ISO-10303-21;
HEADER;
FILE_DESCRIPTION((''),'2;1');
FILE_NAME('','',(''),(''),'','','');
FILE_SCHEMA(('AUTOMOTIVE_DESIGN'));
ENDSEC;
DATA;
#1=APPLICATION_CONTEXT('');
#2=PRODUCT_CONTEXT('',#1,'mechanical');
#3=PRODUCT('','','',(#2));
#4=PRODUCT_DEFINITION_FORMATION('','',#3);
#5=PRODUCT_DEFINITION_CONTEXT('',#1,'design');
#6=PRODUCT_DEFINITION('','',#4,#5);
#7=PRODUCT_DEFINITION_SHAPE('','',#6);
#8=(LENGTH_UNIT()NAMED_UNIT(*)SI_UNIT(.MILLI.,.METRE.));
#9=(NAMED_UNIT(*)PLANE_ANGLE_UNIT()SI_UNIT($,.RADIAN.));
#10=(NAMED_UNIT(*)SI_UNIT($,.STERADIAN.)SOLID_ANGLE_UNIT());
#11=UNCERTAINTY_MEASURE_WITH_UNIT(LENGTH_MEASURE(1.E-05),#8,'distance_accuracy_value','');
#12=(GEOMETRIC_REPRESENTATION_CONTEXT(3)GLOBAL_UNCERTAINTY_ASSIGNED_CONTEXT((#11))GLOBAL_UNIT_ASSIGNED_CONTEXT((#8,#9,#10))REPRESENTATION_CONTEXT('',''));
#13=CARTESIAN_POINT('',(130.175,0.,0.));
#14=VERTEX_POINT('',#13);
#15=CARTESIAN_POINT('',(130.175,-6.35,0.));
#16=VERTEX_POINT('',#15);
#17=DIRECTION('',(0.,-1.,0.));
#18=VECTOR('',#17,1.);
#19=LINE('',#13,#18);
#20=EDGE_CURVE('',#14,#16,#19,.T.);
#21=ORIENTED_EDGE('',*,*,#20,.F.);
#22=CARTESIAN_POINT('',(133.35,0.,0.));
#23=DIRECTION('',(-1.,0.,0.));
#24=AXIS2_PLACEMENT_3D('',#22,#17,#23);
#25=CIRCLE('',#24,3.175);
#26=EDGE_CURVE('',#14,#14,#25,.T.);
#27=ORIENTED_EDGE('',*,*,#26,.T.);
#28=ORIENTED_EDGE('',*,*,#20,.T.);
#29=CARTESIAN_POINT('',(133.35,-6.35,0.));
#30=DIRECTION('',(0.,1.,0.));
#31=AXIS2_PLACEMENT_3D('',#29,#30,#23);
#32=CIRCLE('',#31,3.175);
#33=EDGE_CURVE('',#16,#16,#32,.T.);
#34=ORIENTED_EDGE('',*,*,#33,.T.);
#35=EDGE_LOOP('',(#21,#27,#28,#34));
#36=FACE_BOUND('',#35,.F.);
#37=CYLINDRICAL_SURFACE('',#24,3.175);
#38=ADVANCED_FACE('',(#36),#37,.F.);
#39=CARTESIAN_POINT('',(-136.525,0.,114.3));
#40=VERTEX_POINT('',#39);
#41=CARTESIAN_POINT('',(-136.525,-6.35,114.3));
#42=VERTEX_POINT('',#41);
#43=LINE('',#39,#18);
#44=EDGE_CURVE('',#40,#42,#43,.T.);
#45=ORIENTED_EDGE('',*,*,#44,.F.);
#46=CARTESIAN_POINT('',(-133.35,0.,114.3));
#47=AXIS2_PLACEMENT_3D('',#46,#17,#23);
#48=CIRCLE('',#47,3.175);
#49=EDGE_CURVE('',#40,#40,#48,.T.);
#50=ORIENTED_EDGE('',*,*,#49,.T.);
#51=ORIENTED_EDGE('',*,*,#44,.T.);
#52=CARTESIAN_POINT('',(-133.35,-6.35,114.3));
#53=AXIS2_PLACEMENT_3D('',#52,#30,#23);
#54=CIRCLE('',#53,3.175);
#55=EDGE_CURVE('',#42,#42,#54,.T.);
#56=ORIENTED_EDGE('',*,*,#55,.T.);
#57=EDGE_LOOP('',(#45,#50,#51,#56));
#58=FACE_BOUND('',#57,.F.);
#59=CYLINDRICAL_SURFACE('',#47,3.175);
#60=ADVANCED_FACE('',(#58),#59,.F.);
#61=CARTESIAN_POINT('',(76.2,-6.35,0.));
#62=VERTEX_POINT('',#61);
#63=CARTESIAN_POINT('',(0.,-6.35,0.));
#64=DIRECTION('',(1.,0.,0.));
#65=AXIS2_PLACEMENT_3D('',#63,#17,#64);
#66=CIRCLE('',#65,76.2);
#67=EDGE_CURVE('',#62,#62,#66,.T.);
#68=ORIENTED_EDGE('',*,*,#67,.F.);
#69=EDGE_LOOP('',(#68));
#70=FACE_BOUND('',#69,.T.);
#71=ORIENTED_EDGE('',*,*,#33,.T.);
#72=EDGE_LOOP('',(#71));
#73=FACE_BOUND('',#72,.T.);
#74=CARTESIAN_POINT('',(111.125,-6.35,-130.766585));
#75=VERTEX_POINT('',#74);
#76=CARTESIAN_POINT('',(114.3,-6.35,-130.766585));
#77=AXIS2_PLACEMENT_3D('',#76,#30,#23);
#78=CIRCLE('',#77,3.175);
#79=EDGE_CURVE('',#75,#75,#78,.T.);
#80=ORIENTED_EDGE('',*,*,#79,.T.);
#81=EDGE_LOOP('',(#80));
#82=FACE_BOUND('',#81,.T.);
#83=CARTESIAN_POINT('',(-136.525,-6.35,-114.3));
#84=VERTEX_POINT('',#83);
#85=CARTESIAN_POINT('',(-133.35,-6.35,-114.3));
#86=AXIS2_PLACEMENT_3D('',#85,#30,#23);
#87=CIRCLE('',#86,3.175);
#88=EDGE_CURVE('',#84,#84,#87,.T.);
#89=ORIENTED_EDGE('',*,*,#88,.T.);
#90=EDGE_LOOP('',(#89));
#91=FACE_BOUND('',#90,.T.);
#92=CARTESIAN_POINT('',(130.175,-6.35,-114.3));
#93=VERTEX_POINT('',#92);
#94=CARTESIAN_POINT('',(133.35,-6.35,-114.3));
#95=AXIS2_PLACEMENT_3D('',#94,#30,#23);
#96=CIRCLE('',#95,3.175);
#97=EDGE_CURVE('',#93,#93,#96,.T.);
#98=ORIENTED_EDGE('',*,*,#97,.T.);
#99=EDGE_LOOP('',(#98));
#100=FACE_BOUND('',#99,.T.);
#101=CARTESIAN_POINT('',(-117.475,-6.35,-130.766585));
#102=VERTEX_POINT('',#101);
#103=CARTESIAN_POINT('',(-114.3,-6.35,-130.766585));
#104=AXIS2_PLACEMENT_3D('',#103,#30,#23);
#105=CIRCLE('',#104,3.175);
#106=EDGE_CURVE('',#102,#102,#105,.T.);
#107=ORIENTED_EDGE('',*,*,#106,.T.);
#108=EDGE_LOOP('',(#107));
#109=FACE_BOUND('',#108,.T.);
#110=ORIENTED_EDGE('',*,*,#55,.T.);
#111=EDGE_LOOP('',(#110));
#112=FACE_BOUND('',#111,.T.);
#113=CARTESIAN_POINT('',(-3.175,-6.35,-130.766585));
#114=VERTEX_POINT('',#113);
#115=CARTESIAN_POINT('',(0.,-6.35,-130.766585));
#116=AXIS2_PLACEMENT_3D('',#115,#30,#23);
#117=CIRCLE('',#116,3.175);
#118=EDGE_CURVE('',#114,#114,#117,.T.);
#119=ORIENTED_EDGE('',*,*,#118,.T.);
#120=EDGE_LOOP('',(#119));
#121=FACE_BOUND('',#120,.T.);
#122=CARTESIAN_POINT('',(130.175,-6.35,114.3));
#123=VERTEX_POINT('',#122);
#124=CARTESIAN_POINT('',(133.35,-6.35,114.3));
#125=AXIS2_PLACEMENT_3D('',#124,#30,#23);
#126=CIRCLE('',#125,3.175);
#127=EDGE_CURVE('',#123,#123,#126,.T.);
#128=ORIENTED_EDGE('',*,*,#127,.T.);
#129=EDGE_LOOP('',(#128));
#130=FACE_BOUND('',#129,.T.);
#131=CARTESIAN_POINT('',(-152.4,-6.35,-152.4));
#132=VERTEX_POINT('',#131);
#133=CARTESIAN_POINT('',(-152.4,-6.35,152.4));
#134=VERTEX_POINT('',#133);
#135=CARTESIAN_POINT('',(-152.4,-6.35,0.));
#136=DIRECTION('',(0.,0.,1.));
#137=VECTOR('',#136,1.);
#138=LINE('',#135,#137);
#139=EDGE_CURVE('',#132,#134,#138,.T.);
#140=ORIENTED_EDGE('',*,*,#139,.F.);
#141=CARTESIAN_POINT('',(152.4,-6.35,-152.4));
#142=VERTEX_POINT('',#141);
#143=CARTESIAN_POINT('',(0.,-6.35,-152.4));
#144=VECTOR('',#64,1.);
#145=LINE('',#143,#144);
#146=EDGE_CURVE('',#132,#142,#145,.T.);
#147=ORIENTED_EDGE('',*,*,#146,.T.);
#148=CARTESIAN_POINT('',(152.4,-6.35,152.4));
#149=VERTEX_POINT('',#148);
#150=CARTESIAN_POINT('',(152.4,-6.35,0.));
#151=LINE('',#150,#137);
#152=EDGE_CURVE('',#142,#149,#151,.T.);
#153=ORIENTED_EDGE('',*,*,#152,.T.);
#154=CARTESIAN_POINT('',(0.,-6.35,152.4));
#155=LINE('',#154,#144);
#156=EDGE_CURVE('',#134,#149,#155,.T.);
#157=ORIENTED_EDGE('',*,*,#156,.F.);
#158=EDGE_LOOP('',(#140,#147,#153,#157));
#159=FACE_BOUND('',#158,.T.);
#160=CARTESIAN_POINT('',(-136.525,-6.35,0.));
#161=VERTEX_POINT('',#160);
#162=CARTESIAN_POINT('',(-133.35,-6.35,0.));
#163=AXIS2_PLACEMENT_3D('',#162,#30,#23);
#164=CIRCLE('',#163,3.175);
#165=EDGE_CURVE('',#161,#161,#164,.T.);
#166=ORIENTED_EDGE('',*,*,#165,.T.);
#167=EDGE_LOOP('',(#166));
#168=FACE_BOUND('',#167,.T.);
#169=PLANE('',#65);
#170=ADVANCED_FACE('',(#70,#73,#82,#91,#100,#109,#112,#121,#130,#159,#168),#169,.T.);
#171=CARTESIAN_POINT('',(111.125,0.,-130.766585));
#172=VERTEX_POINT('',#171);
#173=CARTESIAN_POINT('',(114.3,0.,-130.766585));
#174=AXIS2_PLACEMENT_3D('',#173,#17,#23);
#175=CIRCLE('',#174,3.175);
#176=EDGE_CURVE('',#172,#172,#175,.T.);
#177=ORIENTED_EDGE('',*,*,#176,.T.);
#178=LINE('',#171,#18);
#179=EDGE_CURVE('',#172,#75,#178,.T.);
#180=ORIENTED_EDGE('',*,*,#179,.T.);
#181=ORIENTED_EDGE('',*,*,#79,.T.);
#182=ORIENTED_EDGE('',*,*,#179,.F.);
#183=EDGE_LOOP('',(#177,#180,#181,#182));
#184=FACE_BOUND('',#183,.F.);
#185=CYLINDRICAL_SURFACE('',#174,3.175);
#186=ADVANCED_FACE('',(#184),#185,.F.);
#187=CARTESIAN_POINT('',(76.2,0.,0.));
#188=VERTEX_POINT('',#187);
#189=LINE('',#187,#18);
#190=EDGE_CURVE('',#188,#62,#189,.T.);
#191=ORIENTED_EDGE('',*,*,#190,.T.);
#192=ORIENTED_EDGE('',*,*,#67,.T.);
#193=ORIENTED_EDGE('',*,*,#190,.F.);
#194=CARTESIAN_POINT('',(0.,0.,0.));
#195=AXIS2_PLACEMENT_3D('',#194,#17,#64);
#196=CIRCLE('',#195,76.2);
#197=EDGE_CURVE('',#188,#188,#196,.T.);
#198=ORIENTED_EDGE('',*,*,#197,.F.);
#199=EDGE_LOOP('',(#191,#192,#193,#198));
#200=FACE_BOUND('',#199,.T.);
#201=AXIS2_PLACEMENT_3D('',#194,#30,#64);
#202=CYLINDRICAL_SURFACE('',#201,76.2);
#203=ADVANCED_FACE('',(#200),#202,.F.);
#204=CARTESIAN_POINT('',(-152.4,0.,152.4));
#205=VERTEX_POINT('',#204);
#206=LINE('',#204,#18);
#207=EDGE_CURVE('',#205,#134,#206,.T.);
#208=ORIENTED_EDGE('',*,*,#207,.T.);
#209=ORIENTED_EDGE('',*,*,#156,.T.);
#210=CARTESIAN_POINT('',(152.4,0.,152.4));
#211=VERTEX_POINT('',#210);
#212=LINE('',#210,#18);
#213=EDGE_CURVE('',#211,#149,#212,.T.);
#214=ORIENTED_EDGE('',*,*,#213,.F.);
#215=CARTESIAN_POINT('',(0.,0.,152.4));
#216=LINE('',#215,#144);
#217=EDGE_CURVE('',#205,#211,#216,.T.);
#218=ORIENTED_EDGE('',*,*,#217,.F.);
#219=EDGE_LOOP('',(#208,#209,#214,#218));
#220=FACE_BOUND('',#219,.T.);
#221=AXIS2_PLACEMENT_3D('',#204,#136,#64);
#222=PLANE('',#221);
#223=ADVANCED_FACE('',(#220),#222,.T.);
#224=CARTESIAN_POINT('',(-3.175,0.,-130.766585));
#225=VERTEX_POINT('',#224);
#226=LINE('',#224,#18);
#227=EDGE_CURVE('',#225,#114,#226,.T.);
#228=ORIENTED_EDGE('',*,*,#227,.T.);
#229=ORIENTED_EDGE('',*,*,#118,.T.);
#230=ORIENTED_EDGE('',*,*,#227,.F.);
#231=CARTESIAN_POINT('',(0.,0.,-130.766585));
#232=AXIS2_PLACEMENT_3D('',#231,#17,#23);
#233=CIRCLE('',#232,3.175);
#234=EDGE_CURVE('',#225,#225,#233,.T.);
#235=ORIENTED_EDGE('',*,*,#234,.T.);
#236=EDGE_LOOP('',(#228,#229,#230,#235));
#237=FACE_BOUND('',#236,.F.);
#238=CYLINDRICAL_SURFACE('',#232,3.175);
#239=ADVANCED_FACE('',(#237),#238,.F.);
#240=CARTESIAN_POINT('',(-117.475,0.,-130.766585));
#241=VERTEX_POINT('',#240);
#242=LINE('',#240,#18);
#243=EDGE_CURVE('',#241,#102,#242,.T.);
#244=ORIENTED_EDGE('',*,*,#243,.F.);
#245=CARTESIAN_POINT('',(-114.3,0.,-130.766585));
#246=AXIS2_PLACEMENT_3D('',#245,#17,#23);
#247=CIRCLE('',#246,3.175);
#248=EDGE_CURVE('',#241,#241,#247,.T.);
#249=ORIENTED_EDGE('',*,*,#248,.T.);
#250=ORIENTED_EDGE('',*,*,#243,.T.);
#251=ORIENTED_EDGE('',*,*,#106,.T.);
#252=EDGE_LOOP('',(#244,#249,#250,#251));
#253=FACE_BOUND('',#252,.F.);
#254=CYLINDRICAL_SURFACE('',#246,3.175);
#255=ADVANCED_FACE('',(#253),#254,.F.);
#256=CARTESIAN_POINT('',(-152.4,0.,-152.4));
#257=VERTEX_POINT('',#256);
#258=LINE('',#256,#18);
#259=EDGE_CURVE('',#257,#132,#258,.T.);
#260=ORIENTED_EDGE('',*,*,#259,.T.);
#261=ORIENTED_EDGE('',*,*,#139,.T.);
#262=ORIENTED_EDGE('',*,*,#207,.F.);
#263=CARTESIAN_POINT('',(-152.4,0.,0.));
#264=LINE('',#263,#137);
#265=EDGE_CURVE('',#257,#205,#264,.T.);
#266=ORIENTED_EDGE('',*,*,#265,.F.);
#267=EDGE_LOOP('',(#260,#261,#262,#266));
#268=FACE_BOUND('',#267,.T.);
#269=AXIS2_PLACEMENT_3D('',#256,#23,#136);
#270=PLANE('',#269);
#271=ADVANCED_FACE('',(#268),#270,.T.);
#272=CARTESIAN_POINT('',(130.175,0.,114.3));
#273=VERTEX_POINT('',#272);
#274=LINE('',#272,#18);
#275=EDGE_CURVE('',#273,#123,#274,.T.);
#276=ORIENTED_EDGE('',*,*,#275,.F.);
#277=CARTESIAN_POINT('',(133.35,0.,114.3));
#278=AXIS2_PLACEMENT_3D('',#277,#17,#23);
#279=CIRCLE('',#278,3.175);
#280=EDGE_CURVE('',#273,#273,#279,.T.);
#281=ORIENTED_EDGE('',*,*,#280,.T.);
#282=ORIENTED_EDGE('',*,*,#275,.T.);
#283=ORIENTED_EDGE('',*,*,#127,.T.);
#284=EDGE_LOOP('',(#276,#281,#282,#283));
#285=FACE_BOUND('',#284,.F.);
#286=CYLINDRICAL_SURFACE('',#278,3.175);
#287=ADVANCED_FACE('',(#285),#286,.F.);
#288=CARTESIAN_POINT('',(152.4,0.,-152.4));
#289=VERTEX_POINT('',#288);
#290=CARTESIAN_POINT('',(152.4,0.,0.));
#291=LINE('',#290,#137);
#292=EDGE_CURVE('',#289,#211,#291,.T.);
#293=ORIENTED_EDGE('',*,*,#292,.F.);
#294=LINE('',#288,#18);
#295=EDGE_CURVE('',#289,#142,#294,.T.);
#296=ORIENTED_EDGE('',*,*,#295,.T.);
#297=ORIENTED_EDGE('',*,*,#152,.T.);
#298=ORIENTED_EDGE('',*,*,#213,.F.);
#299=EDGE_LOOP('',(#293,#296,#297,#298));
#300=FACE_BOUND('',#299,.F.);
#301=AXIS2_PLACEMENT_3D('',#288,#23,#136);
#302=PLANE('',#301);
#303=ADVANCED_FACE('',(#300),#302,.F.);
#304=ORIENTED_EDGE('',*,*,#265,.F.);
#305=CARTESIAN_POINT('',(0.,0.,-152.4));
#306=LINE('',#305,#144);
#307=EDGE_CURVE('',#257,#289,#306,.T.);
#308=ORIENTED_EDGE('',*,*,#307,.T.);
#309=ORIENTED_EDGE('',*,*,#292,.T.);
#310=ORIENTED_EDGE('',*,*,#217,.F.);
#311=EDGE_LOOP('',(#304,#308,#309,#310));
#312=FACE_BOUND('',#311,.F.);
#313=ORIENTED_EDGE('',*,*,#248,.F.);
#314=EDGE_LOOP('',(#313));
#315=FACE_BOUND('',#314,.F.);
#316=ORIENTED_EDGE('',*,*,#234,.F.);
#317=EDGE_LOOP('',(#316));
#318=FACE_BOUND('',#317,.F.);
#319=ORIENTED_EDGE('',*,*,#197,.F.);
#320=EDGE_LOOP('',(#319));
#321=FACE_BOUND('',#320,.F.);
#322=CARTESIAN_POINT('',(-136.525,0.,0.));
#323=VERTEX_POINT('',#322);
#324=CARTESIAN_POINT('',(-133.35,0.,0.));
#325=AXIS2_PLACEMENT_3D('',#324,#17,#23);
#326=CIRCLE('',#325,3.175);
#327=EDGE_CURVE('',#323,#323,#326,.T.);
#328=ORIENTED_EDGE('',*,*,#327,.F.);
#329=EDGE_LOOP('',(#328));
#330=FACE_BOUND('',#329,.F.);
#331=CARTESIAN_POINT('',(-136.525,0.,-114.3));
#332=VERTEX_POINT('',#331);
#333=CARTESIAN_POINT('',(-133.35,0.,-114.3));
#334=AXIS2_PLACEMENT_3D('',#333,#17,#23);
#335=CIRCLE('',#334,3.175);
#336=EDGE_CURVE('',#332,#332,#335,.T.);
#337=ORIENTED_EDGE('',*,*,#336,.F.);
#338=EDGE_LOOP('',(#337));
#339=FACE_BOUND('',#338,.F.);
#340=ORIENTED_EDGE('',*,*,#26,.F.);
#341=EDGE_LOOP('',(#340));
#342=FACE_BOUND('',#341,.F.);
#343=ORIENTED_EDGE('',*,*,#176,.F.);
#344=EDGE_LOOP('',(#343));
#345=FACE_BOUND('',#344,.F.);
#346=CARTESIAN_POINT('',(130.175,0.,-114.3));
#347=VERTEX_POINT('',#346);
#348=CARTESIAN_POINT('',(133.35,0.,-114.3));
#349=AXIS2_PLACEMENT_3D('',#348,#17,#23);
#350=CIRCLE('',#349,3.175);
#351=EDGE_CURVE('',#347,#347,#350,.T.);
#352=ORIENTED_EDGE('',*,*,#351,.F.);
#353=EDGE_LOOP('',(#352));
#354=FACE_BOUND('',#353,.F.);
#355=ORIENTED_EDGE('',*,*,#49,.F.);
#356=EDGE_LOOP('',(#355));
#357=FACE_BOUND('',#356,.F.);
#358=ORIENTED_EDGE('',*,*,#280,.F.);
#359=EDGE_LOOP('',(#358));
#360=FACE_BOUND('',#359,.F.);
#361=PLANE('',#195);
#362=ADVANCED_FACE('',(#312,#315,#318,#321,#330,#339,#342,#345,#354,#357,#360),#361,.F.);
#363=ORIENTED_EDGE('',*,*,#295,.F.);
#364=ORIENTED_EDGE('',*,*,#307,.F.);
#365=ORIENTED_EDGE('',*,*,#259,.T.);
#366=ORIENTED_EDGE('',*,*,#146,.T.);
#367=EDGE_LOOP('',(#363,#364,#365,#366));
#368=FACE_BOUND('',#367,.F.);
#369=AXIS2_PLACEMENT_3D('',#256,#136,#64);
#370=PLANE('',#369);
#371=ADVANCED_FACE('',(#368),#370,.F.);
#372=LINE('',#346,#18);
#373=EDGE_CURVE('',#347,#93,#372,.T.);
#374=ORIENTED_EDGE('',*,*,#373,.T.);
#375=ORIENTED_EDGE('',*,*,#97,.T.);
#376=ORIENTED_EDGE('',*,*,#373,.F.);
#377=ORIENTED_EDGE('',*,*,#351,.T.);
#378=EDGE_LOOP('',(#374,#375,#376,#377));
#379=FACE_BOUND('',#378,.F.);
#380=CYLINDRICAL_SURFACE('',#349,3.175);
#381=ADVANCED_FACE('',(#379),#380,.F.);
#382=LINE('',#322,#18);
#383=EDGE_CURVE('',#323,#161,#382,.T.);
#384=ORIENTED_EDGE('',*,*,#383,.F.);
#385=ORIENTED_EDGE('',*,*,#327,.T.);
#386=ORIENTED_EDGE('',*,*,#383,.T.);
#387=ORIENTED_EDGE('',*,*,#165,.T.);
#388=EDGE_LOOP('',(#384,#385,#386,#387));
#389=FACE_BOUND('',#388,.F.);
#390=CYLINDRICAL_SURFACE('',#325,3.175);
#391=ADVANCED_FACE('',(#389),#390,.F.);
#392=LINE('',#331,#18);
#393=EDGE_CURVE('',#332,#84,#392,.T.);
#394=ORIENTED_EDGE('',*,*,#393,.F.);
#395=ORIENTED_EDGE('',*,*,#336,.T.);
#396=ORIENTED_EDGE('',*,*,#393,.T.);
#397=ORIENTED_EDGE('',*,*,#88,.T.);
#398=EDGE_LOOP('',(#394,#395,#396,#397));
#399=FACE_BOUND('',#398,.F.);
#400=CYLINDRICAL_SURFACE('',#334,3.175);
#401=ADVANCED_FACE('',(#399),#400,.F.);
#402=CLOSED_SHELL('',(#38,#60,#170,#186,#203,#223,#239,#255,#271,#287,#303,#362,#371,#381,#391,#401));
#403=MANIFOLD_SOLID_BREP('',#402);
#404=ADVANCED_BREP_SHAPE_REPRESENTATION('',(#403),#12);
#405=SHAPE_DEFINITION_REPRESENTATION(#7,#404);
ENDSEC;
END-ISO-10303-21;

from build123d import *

# Parameters (mm, degrees)
F0_W           = 304.8
F0_H           = 304.8
F0_R           = 76.2
F1_DEPTH       = 6.35
F2_D           = 6.35
F2_DEPTH       = 304.8
F2_CBORE_D     = 6.35
F2_CBORE_DEPTH = 304.8
F2_TIP         = 1.9077324654


with BuildPart() as f1:
    # F0 (on Front) → F1 (new body)
    with BuildSketch(Plane.XZ):
        Rectangle(F0_W, F0_H)
        Circle(F0_R, mode=Mode.SUBTRACT)
    extrude(amount=F1_DEPTH)

    # F2
    with Locations(Plane(origin=(0, 0, 0), x_dir=(1, 0, 0), z_dir=(0, 1, 0))):
        with Locations((-133.35, -114.3), (-133.35, 0), (133.35, -114.3), (133.35, 0), (133.35, 114.3), (114.3, 130.7665854692), (0, 130.7665854692), (-114.3, 130.7665854692), (-133.35, 114.3)):
            CounterBoreHole(F2_D / 2, F2_CBORE_D / 2, F2_CBORE_DEPTH, depth=F2_DEPTH)
            with Locations((0, 0, -(F2_DEPTH + F2_TIP / 2))):  # 118° drill point
                Cone(0, F2_D / 2, F2_TIP, mode=Mode.SUBTRACT)


solid = f1.part
